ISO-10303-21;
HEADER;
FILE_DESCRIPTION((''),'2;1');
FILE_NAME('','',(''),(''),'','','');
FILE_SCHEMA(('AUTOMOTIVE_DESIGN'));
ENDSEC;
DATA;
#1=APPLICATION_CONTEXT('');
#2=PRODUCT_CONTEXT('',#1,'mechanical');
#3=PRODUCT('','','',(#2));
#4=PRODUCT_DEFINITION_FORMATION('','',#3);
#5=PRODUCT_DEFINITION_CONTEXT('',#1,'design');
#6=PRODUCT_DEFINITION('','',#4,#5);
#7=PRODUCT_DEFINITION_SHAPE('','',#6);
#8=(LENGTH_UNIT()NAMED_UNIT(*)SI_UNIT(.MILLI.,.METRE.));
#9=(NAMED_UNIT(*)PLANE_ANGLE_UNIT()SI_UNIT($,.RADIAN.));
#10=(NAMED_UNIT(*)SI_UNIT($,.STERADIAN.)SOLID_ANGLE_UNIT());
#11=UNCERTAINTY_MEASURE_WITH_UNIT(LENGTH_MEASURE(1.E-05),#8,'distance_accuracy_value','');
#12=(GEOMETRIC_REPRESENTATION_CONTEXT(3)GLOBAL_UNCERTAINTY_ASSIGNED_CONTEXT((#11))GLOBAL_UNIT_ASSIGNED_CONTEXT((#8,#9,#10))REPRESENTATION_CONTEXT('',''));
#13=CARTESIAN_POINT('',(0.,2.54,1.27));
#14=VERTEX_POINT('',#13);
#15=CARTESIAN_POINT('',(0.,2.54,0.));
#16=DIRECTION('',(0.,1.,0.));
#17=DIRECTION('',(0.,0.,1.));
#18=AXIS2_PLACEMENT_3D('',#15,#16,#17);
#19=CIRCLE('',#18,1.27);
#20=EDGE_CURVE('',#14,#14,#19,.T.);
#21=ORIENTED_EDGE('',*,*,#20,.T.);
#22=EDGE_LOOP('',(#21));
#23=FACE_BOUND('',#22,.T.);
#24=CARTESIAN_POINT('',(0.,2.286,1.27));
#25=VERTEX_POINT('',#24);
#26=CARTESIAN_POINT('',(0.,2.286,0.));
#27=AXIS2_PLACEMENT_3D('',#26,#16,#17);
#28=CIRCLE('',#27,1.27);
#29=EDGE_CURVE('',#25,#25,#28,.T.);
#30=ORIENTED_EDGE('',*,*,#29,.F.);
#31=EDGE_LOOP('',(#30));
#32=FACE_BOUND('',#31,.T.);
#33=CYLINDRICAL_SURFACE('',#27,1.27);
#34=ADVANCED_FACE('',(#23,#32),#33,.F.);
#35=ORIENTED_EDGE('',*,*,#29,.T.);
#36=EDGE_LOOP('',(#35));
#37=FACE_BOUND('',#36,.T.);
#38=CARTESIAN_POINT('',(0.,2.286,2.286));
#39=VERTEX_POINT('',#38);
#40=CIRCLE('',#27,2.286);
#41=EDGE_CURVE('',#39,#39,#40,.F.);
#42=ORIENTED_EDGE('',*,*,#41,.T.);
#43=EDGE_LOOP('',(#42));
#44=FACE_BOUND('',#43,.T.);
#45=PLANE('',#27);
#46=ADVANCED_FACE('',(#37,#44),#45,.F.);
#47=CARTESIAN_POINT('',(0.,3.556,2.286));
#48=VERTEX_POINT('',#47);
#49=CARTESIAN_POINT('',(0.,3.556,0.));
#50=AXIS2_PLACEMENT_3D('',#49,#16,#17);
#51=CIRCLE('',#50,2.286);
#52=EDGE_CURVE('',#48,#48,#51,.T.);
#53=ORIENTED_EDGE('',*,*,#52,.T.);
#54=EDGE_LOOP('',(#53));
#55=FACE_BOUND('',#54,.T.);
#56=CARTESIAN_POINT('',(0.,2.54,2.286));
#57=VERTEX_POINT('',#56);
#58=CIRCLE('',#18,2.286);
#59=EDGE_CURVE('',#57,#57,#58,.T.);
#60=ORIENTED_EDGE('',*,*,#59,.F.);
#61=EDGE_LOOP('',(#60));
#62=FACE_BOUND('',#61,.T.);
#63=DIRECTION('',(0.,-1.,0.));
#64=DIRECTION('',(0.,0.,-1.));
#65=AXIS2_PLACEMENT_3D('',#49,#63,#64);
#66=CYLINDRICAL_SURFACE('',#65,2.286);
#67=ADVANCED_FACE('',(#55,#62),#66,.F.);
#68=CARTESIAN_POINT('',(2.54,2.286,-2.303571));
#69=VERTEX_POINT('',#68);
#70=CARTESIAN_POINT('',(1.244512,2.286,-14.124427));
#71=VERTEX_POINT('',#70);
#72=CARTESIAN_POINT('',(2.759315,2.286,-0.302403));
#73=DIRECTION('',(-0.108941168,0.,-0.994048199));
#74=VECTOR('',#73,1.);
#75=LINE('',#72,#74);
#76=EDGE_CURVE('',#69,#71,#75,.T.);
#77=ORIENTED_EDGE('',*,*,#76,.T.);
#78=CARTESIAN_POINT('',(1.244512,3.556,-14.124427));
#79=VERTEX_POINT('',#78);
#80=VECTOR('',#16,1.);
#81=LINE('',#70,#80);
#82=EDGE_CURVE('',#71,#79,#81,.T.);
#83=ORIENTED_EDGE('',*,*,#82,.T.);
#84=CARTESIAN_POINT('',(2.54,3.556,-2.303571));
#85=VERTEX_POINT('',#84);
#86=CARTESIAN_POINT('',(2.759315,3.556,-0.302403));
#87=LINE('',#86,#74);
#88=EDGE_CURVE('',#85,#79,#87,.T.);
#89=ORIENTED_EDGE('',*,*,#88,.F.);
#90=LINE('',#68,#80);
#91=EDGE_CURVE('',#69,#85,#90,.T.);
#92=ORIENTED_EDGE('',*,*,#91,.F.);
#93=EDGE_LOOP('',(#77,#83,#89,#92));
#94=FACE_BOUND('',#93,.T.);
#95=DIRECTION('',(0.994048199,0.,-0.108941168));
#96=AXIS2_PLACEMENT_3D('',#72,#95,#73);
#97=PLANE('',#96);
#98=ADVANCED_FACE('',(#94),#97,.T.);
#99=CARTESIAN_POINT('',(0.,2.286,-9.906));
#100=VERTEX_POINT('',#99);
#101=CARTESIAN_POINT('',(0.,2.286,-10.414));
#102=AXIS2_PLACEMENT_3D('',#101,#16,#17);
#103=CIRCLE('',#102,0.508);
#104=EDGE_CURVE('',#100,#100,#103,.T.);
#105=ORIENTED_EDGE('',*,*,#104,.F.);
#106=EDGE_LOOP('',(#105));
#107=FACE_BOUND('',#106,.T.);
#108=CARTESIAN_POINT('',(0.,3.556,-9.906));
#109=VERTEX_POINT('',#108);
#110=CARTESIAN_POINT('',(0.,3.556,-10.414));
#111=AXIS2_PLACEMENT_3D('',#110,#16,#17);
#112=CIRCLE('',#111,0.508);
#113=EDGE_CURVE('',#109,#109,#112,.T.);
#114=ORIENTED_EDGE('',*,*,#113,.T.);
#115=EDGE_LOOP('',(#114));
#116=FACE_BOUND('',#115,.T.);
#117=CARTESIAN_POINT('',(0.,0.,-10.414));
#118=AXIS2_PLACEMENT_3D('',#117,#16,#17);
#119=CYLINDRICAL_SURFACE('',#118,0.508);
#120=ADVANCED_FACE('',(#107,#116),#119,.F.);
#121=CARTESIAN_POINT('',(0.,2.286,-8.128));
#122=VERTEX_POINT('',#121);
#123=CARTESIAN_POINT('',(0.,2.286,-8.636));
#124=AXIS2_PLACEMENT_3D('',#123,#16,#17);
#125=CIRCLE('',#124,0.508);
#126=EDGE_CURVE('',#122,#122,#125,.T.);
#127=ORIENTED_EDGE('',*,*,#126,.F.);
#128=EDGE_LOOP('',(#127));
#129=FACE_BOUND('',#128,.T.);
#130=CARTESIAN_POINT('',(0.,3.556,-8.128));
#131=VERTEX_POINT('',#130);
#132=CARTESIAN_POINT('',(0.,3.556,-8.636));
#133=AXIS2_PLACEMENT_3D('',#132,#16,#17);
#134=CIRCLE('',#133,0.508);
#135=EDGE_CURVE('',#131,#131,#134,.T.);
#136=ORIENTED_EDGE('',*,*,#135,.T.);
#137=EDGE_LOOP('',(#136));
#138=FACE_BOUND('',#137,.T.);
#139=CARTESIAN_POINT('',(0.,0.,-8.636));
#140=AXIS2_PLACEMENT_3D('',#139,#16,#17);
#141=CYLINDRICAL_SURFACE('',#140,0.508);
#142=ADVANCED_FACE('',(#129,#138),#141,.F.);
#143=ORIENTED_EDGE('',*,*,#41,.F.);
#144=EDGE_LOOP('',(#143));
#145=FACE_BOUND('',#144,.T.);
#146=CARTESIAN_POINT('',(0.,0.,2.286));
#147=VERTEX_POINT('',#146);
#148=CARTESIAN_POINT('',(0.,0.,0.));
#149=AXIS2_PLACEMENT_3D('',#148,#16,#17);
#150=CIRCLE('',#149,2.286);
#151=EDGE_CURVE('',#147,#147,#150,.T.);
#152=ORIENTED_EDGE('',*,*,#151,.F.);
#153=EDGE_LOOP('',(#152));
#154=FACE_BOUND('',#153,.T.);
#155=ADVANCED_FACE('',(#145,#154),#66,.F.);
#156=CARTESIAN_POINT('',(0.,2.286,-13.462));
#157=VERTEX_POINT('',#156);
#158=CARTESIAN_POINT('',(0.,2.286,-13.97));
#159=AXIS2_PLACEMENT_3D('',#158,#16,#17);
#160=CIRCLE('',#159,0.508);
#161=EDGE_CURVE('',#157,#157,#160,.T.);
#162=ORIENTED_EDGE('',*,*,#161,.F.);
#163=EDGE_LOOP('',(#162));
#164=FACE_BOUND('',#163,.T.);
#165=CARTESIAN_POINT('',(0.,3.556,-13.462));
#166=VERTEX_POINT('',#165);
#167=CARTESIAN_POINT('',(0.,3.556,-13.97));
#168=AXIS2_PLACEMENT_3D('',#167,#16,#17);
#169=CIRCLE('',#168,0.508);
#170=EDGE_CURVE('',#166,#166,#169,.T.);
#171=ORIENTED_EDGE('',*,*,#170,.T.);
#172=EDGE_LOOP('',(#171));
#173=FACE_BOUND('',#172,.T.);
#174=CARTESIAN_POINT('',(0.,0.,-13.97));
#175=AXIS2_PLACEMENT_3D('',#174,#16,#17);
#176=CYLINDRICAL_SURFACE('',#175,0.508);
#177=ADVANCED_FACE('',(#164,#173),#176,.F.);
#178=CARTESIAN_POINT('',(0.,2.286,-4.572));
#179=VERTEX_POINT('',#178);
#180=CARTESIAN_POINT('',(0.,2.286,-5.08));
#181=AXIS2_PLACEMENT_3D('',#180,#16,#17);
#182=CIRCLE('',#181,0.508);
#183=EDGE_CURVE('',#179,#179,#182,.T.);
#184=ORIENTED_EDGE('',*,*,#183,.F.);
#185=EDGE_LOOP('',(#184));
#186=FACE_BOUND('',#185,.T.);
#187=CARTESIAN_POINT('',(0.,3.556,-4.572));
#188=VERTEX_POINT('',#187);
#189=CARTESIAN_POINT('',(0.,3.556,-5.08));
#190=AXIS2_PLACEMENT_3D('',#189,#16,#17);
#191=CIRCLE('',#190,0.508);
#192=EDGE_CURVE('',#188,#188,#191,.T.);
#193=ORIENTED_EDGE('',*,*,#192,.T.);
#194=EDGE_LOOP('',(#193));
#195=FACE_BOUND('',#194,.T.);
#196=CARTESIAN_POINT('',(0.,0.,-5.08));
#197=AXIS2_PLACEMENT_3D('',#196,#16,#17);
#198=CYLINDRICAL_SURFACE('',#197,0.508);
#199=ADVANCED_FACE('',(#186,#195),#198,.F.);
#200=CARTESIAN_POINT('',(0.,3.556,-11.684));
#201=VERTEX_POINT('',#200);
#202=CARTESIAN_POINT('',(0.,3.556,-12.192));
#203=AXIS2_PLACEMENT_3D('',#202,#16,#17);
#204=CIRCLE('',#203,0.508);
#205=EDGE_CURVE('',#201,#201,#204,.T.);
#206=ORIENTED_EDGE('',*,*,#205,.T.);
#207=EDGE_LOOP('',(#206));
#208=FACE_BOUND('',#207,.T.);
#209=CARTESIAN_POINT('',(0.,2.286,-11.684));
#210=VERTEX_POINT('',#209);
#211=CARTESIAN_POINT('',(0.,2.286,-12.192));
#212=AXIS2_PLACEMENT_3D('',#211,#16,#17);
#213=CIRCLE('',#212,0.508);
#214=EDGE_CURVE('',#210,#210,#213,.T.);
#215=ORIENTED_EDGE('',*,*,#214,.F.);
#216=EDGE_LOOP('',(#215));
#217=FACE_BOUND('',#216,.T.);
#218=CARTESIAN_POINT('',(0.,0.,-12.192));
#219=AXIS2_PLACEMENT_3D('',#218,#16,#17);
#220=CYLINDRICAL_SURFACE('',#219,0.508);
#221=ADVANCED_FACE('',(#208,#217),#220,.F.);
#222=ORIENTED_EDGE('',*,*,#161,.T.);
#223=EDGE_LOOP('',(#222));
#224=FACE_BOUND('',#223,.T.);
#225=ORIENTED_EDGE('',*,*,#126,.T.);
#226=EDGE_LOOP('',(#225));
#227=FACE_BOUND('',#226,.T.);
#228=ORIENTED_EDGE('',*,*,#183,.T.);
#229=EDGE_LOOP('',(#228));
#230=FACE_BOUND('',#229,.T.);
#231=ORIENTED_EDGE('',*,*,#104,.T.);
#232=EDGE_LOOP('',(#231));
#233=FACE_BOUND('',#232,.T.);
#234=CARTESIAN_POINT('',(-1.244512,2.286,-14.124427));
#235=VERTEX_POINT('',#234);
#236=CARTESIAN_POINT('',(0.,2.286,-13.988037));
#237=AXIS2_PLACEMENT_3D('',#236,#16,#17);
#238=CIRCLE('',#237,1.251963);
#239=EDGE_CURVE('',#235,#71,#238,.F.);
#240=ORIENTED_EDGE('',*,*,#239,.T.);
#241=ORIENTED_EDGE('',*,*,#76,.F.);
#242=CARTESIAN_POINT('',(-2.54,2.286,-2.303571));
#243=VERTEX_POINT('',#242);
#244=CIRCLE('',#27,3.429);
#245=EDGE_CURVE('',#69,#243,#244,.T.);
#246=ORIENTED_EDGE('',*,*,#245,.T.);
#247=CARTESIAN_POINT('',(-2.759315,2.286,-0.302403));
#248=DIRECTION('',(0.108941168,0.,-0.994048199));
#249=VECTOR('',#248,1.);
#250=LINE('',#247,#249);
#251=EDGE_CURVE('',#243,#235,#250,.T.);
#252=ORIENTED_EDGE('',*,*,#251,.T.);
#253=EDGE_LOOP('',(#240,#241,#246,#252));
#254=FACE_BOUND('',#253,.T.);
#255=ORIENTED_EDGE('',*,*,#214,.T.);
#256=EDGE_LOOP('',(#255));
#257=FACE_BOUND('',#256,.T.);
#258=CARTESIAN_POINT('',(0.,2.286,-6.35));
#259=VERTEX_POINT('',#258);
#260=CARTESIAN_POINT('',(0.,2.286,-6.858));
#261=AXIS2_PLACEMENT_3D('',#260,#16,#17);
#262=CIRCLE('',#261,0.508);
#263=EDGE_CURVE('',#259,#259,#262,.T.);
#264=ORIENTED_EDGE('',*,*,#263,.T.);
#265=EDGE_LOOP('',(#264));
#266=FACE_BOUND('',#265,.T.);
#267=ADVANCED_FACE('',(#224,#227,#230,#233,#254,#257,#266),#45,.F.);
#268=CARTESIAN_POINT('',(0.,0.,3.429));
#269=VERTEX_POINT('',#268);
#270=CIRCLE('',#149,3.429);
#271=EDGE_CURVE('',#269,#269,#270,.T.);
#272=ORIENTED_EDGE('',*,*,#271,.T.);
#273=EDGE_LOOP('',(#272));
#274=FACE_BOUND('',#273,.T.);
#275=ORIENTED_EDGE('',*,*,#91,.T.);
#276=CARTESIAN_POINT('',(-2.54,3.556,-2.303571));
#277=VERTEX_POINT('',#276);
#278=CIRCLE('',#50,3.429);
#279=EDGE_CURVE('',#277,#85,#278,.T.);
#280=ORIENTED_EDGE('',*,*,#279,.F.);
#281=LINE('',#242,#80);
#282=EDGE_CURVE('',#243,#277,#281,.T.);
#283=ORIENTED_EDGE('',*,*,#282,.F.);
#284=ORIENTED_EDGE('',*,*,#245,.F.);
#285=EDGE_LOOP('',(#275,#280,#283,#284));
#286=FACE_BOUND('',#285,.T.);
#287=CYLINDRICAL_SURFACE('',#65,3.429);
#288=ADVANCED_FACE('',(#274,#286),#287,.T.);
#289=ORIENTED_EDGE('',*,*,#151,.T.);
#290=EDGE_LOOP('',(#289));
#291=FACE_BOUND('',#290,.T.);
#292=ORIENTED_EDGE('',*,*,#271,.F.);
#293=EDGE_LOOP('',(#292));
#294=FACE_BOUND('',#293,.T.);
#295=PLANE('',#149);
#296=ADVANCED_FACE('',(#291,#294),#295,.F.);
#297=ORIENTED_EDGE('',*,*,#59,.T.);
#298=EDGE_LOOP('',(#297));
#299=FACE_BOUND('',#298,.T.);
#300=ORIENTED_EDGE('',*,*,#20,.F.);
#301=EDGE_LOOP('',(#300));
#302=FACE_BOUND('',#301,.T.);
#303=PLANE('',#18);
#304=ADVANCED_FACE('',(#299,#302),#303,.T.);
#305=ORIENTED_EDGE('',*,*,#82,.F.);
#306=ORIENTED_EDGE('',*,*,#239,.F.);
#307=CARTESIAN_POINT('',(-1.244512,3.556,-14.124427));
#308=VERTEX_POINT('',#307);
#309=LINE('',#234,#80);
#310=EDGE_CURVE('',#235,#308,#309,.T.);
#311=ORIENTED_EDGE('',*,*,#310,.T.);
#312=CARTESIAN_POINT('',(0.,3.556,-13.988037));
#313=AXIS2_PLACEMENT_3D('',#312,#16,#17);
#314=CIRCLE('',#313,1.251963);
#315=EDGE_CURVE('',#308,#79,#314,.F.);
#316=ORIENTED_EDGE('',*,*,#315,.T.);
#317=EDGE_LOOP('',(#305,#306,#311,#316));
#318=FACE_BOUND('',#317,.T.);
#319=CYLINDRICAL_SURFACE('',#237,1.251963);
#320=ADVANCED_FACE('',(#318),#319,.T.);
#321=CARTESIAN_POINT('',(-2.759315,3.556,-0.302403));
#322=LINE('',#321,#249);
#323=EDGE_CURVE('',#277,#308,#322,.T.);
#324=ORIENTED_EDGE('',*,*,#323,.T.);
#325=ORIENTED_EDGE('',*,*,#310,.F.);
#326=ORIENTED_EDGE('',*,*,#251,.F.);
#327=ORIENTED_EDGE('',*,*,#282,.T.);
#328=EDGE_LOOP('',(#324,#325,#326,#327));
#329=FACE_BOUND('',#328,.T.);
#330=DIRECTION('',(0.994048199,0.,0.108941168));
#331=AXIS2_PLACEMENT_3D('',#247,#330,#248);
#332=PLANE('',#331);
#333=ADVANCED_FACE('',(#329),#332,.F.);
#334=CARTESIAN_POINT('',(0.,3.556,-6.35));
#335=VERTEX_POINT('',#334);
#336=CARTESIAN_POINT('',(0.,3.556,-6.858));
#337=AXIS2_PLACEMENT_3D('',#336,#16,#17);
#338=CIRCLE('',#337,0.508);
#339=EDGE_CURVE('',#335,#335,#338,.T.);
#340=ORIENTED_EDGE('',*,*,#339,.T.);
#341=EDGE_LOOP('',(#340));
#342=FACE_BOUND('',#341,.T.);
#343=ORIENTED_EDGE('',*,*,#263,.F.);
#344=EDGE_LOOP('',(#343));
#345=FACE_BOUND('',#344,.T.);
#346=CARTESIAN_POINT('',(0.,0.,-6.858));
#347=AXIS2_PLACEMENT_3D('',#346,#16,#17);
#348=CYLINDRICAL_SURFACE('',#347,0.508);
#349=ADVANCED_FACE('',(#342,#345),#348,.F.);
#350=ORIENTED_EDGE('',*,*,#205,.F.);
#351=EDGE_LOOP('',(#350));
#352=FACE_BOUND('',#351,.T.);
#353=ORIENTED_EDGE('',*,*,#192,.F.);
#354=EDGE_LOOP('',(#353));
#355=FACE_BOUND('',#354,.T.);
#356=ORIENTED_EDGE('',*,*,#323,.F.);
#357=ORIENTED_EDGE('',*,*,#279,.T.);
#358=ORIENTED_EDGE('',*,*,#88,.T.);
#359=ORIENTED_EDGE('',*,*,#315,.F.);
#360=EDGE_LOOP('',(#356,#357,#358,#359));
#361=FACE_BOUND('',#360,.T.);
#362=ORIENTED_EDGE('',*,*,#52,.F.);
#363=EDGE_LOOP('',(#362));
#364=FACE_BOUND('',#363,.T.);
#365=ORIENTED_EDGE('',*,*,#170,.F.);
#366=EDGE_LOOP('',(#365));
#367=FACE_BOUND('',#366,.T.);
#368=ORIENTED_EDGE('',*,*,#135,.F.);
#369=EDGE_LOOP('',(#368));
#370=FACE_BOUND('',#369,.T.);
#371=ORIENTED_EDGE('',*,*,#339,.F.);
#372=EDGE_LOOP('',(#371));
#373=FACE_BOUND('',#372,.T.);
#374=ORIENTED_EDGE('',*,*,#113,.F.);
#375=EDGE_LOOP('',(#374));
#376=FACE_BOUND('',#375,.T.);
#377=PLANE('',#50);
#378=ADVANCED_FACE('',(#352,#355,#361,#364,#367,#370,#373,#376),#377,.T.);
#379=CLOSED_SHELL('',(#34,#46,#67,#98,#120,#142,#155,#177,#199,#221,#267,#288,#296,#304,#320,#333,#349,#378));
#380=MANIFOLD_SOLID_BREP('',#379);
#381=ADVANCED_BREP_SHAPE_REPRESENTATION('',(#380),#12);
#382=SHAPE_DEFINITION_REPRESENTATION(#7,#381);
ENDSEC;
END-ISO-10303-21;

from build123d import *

# Parameters (mm, degrees)
SKETCH1_R           = 3.429
SKETCH1_R_2         = 2.286
BOSS_EXTRUDE1_DEPTH = 3.556
BOSS_EXTRUDE2_START = -1.27
BOSS_EXTRUDE2_DEPTH = 1.27
BOSS_EXTRUDE3_START = -1.27
SKETCH2_3_R         = 2.286
SKETCH2_3_R_2       = 1.27
BOSS_EXTRUDE3_DEPTH = 0.254
SKETCH3_R           = 0.508
CUT_EXTRUDE1_DEPTH  = 17.020635974
LPATTERN1_COUNT     = 6
LPATTERN1_PITCH     = 1.778


with BuildPart() as part:
    # Sketch1 → Boss-Extrude1 (new body)
    with BuildSketch(Plane(origin=(0, 0, 0), x_dir=(1, 0, 0), z_dir=(0, 1, 0))):
        Circle(SKETCH1_R)
        Circle(SKETCH1_R_2, mode=Mode.SUBTRACT)
    extrude(amount=BOSS_EXTRUDE1_DEPTH)

    # Sketch2 → Boss-Extrude2 (add)
    with BuildSketch(Plane(origin=(0, 3.556, 0), x_dir=(1, 0, 0), z_dir=(0, 1, 0)).offset(BOSS_EXTRUDE2_START)):
        with BuildLine():
            ThreePointArc((-2.54, 2.303571358), (0, 3.429), (2.54, 2.303571358))
            Line((2.54, 2.303571358), (1.244511661, 14.124427226))
            ThreePointArc((1.244511661, 14.124427226), (0, 15.24), (-1.244511661, 14.124427226))
            Line((-1.244511661, 14.124427226), (-2.54, 2.303571358))
        make_face()
    extrude(amount=BOSS_EXTRUDE2_DEPTH)

    # Sketch2<3> → Boss-Extrude3 (add)
    with BuildSketch(Plane(origin=(0, 3.556, 0), x_dir=(1, 0, 0), z_dir=(0, 1, 0)).offset(BOSS_EXTRUDE3_START)):
        Circle(SKETCH2_3_R)
        Circle(SKETCH2_3_R_2, mode=Mode.SUBTRACT)
    extrude(amount=BOSS_EXTRUDE3_DEPTH)

    # Sketch3 → Cut-Extrude1 (cut, through all)
    with BuildSketch(Plane(origin=(0, 3.556, 0), x_dir=(1, 0, 0), z_dir=(0, 1, 0))):
        with Locations((0, 5.08)):
            Circle(SKETCH3_R)
    cut_extrude1 = extrude(amount=-CUT_EXTRUDE1_DEPTH, mode=Mode.SUBTRACT)

    # LPattern1: Cut-Extrude1 ×6
    with Locations(*[(0, 0, -i * LPATTERN1_PITCH) for i in range(1, LPATTERN1_COUNT)]):
        add(cut_extrude1, mode=Mode.SUBTRACT)


solid = part.part
